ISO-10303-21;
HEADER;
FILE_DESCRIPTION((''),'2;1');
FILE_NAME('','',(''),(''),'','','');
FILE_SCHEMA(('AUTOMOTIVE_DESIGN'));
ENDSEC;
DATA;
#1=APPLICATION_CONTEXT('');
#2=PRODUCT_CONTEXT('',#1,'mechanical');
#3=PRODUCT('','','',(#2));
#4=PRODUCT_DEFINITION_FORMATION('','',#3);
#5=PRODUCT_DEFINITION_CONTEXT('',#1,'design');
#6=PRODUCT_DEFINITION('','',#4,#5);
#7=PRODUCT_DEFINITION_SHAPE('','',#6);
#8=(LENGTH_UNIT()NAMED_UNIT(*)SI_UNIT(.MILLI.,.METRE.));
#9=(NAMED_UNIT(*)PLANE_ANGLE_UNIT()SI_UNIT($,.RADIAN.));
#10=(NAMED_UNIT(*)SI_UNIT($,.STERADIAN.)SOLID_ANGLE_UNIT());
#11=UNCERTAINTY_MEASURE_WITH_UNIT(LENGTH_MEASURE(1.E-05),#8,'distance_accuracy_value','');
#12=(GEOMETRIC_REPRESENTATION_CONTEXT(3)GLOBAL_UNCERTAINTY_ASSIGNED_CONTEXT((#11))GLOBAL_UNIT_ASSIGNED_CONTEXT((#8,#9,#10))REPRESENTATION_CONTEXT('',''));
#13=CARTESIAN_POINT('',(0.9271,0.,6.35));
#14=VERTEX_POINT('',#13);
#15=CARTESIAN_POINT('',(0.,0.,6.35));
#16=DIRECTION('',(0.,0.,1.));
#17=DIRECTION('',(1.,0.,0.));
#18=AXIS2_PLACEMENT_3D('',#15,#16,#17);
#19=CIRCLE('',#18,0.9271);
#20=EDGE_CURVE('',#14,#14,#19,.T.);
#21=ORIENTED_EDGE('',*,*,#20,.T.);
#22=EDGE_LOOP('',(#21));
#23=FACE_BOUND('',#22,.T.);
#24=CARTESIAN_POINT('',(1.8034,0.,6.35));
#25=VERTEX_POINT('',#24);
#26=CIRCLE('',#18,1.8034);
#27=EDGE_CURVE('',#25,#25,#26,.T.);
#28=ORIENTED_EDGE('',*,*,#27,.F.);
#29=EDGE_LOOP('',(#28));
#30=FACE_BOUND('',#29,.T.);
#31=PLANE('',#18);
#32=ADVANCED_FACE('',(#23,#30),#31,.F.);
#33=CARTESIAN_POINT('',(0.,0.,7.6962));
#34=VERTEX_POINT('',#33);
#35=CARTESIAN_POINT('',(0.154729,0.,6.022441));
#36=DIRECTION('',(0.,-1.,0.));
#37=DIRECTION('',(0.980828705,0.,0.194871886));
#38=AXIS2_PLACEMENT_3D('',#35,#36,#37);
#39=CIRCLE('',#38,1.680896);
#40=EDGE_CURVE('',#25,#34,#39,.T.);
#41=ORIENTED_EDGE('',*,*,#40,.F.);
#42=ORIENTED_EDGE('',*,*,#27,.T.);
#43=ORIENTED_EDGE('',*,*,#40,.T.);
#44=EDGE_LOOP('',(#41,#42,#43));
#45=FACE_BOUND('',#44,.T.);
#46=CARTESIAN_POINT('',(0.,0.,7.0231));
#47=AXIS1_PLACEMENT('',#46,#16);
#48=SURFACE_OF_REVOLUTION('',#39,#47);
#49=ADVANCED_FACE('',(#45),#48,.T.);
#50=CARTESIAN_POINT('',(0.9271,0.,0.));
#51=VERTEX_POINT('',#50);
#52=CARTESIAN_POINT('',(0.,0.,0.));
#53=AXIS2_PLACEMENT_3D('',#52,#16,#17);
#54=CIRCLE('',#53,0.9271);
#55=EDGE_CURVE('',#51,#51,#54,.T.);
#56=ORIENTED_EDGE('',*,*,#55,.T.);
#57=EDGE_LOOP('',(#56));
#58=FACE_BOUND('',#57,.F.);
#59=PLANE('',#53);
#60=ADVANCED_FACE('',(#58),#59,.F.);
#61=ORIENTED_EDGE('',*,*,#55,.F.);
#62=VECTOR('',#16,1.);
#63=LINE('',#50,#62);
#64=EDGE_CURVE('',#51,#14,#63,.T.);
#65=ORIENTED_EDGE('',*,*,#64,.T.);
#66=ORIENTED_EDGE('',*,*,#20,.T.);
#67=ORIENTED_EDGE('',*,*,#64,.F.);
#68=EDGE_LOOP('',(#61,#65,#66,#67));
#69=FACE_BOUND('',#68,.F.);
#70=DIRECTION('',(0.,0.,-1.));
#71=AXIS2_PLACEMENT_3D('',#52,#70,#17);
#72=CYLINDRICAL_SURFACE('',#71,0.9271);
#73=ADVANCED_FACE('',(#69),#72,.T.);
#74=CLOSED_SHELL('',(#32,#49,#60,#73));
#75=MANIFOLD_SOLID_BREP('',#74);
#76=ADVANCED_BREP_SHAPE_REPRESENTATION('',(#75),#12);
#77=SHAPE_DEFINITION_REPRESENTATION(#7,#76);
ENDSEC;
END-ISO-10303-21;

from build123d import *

# Parameters (mm, degrees)
F0_R     = 0.9271
F1_DEPTH = 6.35


with BuildPart() as f1:
    # F0 (on Top) → F1 (new body)
    with BuildSketch(Plane.XY):
        Circle(F0_R)
    extrude(amount=F1_DEPTH)

    # F2 (on Front) → F3 (revolve)
    with BuildSketch(Plane.XZ):
        with BuildLine():
            Line((0, 7.6962), (0, 6.35))
            Line((0, 6.35), (0.9271, 6.35))
            Line((0.9271, 6.35), (1.8034, 6.35))
            ThreePointArc((1.8034, 6.35), (1.160228, 7.369431), (0, 7.6962))
        make_face()
    revolve(axis=Axis((0, 0, 7.0231), (0, 0, 1)))


solid = f1.part
